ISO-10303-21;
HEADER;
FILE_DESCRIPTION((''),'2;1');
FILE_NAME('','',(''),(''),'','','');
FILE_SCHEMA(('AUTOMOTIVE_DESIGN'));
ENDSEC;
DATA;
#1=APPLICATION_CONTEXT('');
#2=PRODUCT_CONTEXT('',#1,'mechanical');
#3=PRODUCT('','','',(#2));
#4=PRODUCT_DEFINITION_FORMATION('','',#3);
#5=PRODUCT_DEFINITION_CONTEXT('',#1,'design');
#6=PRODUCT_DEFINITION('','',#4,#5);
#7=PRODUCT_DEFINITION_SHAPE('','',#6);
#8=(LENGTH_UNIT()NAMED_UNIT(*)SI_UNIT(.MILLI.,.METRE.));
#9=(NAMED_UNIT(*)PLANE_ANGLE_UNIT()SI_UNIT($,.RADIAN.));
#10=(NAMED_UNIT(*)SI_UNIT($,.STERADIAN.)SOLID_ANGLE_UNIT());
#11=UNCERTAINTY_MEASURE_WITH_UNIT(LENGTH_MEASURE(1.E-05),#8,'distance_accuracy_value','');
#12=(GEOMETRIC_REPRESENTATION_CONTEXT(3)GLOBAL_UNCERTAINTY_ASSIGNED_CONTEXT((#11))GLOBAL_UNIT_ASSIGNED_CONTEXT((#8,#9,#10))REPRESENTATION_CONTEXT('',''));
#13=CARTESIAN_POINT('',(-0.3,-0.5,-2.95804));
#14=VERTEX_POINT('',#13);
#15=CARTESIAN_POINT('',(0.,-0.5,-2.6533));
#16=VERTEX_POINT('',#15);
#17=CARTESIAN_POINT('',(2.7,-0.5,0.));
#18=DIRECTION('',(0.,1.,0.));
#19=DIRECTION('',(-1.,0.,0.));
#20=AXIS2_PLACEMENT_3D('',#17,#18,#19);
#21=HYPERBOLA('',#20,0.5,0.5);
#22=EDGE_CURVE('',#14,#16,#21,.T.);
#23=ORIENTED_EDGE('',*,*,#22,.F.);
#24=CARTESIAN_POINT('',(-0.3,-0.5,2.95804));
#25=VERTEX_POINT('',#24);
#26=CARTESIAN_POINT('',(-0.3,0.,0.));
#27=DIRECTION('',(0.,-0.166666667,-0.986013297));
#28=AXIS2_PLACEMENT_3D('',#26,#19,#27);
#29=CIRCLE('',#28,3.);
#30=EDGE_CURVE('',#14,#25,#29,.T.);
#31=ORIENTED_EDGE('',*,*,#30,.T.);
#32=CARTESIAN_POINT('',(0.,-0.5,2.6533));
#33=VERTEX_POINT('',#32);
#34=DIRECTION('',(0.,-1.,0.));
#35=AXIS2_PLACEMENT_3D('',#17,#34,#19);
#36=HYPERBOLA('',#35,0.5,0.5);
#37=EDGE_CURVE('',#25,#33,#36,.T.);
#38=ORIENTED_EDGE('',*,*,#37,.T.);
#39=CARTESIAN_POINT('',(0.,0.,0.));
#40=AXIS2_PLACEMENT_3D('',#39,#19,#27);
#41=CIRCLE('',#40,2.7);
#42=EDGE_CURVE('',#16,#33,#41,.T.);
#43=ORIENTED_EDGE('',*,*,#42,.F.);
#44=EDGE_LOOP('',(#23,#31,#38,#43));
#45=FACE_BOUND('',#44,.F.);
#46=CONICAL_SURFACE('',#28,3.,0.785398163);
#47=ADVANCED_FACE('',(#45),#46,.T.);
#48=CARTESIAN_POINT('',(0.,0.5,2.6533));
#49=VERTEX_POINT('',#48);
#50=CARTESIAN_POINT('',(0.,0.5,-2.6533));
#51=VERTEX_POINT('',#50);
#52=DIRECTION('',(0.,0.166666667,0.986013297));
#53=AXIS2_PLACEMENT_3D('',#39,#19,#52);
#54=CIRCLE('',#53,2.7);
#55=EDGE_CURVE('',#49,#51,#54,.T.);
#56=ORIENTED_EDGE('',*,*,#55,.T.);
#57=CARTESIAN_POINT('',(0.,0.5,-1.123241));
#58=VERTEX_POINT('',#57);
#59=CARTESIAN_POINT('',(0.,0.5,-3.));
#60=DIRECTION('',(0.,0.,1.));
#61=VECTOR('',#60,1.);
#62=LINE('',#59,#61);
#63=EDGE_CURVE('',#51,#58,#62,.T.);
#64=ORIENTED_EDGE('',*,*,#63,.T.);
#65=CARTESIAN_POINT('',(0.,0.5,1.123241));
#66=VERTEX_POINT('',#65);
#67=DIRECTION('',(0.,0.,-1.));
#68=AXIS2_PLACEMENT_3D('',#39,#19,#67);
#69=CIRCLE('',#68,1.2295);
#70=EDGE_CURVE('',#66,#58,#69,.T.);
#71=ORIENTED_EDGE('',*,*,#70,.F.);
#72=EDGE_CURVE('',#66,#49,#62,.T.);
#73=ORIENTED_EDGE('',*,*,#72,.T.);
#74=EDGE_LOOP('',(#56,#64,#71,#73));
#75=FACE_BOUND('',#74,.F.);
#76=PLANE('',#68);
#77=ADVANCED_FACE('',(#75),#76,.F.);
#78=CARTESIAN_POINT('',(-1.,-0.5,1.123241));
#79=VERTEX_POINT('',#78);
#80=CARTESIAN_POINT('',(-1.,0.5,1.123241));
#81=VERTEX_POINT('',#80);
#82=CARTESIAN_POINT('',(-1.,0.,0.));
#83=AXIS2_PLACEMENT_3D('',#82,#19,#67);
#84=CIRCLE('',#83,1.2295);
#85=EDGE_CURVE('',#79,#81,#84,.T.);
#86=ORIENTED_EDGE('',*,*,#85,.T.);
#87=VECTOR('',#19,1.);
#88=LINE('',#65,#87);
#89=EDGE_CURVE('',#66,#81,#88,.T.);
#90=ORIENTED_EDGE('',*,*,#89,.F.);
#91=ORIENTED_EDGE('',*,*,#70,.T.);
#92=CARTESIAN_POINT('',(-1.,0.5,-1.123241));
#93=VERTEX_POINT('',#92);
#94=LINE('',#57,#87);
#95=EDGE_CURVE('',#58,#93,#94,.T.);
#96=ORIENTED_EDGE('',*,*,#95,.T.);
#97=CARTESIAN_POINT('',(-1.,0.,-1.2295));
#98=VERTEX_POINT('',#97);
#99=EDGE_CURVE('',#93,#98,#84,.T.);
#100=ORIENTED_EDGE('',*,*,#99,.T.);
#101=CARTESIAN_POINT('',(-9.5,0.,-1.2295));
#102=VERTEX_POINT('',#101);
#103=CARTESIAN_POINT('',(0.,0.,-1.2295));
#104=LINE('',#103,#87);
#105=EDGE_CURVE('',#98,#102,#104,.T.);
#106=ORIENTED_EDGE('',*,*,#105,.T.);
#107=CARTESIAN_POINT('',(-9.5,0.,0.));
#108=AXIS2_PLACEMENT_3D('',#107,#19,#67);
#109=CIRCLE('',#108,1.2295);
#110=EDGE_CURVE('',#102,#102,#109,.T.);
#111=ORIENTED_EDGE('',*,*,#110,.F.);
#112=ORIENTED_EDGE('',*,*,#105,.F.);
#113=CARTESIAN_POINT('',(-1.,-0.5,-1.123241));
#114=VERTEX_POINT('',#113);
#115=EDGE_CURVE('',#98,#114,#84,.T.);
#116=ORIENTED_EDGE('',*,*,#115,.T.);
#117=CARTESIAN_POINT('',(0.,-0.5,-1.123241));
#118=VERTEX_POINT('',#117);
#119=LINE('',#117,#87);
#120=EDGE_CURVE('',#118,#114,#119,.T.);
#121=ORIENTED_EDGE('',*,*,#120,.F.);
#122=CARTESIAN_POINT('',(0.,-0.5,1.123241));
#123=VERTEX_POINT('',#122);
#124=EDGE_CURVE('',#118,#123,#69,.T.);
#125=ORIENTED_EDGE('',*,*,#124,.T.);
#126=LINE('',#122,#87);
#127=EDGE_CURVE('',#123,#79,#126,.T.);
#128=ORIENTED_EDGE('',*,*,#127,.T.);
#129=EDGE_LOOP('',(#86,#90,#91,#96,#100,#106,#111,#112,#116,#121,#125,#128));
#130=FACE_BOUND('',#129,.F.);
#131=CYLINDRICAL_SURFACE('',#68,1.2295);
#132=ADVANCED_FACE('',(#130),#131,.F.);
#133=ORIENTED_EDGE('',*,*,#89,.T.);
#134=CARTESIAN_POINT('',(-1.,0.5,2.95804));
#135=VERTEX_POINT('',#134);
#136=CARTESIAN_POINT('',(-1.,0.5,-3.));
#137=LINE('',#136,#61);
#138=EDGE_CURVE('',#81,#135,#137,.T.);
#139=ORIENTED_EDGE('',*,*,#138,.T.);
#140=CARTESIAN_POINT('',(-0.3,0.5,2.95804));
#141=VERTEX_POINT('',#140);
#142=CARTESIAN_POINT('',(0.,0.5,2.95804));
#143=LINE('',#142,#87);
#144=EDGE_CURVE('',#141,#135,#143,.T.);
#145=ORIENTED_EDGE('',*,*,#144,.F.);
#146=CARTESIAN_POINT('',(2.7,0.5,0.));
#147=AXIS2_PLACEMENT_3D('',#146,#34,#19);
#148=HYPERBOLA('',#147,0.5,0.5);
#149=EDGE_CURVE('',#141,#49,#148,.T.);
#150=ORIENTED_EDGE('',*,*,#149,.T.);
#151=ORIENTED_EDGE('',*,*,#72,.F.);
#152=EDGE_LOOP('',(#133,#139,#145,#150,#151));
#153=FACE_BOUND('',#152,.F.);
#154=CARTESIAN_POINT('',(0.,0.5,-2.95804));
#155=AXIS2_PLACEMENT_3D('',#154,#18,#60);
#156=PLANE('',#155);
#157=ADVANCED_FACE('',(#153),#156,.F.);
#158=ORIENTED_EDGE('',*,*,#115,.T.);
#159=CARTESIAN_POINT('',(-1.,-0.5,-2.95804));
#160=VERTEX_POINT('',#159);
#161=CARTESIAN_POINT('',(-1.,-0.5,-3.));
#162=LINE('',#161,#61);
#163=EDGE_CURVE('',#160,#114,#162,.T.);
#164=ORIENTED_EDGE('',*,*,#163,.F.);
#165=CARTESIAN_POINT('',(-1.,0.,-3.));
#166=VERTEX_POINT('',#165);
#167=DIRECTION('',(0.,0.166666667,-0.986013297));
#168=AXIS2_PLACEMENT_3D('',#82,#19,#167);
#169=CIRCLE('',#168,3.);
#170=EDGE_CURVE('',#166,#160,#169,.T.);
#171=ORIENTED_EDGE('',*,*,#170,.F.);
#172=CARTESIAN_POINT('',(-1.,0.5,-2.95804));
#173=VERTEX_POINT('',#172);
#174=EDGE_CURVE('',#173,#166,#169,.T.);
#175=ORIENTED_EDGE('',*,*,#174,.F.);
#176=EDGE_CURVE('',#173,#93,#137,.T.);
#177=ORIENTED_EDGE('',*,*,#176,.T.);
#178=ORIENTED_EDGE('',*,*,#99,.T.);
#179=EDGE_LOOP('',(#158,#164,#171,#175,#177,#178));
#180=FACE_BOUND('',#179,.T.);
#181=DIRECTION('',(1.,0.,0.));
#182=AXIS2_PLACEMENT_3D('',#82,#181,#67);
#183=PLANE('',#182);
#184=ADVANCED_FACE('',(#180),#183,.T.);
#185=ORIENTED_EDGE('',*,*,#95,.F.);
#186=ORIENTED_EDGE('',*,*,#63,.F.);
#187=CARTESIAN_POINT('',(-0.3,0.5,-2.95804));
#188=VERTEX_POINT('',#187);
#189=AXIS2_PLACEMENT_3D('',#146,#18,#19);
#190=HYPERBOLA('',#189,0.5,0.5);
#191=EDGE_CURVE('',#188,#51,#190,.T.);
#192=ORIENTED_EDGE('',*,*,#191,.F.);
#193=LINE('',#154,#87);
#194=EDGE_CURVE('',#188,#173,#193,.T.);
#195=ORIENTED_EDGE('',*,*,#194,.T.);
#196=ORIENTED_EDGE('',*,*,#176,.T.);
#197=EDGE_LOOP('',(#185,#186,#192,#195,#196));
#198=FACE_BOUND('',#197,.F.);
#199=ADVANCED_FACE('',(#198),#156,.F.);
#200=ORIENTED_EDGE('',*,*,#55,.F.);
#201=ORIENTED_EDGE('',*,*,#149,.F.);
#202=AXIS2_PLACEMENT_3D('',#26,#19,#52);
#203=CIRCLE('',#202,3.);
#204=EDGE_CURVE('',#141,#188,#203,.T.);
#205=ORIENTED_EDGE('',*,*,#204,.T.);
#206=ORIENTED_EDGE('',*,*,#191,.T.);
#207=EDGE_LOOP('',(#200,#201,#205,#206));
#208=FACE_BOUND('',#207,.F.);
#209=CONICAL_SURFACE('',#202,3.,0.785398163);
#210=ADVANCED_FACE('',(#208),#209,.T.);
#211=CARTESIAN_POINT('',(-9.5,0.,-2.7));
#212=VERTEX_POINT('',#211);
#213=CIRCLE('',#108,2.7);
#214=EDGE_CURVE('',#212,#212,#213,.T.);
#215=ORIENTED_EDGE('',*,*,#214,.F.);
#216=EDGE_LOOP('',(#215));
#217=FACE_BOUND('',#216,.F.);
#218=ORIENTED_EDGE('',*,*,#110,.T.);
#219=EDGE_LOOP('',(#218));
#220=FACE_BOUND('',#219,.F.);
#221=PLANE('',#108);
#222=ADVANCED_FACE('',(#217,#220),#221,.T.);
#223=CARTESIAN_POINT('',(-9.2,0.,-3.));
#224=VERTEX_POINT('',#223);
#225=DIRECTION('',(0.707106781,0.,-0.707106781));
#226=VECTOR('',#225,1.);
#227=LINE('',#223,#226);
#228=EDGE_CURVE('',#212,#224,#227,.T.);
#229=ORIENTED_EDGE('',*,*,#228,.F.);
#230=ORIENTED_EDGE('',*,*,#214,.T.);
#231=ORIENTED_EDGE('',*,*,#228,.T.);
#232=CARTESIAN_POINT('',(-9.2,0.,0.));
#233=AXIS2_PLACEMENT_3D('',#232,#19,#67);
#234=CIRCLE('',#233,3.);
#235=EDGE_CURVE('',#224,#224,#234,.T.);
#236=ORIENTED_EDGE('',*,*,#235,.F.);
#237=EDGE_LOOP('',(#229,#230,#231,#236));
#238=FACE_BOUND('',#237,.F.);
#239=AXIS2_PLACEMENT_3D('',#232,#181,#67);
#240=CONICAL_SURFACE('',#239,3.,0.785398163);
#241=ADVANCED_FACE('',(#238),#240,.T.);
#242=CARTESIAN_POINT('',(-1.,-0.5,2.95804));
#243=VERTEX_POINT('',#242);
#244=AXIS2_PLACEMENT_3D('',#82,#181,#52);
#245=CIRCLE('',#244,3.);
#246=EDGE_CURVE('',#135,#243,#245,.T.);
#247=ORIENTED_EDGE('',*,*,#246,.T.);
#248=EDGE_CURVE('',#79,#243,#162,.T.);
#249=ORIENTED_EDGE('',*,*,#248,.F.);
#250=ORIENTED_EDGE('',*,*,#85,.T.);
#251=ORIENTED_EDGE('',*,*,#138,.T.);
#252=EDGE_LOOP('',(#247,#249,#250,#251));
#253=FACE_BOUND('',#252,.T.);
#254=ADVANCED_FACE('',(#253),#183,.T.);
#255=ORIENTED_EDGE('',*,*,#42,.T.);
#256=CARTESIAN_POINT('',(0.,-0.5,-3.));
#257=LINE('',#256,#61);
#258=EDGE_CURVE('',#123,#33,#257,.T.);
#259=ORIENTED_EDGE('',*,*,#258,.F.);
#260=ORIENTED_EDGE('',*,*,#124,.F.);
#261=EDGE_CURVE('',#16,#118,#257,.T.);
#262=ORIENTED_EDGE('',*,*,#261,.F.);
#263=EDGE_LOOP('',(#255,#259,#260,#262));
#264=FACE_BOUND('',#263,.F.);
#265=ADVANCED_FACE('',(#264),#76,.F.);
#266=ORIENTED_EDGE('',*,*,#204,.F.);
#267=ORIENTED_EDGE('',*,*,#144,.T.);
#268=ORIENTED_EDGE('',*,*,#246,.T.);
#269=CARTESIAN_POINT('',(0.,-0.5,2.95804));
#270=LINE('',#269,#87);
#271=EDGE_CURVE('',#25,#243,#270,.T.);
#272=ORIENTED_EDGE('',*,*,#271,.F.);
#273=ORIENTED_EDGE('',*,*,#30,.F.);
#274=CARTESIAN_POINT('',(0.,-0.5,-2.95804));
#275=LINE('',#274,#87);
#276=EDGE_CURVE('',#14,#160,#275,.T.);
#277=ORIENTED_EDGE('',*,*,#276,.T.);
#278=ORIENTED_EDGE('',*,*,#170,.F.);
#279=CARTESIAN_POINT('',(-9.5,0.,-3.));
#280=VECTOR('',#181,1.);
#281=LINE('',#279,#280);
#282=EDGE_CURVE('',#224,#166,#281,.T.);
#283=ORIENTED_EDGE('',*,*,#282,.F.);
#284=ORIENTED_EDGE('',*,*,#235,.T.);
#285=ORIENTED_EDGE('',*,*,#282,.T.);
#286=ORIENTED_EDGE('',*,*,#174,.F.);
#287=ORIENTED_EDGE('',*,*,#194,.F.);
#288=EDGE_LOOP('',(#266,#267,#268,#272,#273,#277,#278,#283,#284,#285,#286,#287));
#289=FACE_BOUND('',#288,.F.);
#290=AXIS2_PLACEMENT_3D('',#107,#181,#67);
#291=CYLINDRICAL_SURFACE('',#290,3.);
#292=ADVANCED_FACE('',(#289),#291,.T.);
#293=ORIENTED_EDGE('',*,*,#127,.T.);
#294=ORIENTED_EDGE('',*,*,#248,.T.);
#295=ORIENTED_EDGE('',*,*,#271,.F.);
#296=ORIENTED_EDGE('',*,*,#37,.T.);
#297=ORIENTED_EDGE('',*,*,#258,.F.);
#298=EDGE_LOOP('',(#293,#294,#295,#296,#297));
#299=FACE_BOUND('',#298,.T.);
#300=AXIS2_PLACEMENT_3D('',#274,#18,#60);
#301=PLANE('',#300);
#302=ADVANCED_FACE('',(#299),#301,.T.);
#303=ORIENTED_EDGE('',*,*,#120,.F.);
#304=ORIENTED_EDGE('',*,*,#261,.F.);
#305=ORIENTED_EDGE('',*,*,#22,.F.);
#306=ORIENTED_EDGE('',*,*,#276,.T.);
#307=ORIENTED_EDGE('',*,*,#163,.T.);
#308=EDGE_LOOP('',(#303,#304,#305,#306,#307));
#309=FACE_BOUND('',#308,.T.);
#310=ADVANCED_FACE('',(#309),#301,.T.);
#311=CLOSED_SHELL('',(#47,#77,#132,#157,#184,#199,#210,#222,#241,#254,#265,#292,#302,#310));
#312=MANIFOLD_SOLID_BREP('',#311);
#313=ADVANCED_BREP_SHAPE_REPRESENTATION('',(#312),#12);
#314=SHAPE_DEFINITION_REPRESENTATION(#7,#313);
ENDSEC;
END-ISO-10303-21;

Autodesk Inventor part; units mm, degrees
ref_plane "YZ Plane" through (0, 0, 0) normal (1, 0, 0) x (0, 1, 0)
ref_plane "XZ Plane" through (0, 0, 0) normal (0, 1, 0) x (-1, 0, 0)
ref_plane "XY Plane" through (0, 0, 0) normal (0, 0, 1) x (1, 0, 0)
sketch "スケッチ1" plane through (0, 0, 0) normal (0, 1, 0) x (-1, 0, 0)
  line L0 (0, 0) -> (9.5, 0)
  line L1 (9.5, 0) -> (9.5, -3)
  line L2 (9.5, -3) -> (0, -3)
  line L3 (0, -3) -> (0, 0)
  dimension "d0" = 9.5
  dimension "d1" = 3
revolve "回転1" add sketch "スケッチ1" angle 360 about axis through (0, 0, 0) along (-1, 0, 0)
sketch "スケッチ2" plane through (0, 0, 0) normal (1, 0, 0) x (0, 0, -1)
  point P0 (0, 0)
  point P1 (0, 0)
hole "穴1" at (0, 0, 0) direction (-1, 0, 0) diameter 2.459 end through all thread size "M3x0.5" class "6H" standard "ANSI Metric M Profile"
sketch "スケッチ3" plane through (0, 0, 0) normal (1, 0, 0) x (0, 0, -1)
  circle A0 centre (0, 0) radius 3 projected
  line L0 (3, 0) -> (-3, 0)
  line L1 (3, -0.5) -> (-3, -0.5)
  line L2 (3, 0.5) -> (-3, 0.5)
  line L3 (3, 0.5) -> (3, -0.5)
  line L4 (-3, 0.5) -> (-3, -0.5)
  point P0 (-2.958, -0.5)
  point P1 (2.958, -0.5)
  point P2 (2.958, 0.5)
  point P3 (-2.958, 0.5)
  dimension "d10" = 0.5
extrude "押し出し1" cut sketch "スケッチ3" against normal blind 1 contours L0 A0 L2 | A0 L1 L0
chamfer "面取り1" distance 0.3 angle 45 3 edges at (-9.5, 0, 3) (0, 3, 0) (0, -3, 0)
properties part number "ARU-309_5S" material "ステンレス鋼 AISI 304"
